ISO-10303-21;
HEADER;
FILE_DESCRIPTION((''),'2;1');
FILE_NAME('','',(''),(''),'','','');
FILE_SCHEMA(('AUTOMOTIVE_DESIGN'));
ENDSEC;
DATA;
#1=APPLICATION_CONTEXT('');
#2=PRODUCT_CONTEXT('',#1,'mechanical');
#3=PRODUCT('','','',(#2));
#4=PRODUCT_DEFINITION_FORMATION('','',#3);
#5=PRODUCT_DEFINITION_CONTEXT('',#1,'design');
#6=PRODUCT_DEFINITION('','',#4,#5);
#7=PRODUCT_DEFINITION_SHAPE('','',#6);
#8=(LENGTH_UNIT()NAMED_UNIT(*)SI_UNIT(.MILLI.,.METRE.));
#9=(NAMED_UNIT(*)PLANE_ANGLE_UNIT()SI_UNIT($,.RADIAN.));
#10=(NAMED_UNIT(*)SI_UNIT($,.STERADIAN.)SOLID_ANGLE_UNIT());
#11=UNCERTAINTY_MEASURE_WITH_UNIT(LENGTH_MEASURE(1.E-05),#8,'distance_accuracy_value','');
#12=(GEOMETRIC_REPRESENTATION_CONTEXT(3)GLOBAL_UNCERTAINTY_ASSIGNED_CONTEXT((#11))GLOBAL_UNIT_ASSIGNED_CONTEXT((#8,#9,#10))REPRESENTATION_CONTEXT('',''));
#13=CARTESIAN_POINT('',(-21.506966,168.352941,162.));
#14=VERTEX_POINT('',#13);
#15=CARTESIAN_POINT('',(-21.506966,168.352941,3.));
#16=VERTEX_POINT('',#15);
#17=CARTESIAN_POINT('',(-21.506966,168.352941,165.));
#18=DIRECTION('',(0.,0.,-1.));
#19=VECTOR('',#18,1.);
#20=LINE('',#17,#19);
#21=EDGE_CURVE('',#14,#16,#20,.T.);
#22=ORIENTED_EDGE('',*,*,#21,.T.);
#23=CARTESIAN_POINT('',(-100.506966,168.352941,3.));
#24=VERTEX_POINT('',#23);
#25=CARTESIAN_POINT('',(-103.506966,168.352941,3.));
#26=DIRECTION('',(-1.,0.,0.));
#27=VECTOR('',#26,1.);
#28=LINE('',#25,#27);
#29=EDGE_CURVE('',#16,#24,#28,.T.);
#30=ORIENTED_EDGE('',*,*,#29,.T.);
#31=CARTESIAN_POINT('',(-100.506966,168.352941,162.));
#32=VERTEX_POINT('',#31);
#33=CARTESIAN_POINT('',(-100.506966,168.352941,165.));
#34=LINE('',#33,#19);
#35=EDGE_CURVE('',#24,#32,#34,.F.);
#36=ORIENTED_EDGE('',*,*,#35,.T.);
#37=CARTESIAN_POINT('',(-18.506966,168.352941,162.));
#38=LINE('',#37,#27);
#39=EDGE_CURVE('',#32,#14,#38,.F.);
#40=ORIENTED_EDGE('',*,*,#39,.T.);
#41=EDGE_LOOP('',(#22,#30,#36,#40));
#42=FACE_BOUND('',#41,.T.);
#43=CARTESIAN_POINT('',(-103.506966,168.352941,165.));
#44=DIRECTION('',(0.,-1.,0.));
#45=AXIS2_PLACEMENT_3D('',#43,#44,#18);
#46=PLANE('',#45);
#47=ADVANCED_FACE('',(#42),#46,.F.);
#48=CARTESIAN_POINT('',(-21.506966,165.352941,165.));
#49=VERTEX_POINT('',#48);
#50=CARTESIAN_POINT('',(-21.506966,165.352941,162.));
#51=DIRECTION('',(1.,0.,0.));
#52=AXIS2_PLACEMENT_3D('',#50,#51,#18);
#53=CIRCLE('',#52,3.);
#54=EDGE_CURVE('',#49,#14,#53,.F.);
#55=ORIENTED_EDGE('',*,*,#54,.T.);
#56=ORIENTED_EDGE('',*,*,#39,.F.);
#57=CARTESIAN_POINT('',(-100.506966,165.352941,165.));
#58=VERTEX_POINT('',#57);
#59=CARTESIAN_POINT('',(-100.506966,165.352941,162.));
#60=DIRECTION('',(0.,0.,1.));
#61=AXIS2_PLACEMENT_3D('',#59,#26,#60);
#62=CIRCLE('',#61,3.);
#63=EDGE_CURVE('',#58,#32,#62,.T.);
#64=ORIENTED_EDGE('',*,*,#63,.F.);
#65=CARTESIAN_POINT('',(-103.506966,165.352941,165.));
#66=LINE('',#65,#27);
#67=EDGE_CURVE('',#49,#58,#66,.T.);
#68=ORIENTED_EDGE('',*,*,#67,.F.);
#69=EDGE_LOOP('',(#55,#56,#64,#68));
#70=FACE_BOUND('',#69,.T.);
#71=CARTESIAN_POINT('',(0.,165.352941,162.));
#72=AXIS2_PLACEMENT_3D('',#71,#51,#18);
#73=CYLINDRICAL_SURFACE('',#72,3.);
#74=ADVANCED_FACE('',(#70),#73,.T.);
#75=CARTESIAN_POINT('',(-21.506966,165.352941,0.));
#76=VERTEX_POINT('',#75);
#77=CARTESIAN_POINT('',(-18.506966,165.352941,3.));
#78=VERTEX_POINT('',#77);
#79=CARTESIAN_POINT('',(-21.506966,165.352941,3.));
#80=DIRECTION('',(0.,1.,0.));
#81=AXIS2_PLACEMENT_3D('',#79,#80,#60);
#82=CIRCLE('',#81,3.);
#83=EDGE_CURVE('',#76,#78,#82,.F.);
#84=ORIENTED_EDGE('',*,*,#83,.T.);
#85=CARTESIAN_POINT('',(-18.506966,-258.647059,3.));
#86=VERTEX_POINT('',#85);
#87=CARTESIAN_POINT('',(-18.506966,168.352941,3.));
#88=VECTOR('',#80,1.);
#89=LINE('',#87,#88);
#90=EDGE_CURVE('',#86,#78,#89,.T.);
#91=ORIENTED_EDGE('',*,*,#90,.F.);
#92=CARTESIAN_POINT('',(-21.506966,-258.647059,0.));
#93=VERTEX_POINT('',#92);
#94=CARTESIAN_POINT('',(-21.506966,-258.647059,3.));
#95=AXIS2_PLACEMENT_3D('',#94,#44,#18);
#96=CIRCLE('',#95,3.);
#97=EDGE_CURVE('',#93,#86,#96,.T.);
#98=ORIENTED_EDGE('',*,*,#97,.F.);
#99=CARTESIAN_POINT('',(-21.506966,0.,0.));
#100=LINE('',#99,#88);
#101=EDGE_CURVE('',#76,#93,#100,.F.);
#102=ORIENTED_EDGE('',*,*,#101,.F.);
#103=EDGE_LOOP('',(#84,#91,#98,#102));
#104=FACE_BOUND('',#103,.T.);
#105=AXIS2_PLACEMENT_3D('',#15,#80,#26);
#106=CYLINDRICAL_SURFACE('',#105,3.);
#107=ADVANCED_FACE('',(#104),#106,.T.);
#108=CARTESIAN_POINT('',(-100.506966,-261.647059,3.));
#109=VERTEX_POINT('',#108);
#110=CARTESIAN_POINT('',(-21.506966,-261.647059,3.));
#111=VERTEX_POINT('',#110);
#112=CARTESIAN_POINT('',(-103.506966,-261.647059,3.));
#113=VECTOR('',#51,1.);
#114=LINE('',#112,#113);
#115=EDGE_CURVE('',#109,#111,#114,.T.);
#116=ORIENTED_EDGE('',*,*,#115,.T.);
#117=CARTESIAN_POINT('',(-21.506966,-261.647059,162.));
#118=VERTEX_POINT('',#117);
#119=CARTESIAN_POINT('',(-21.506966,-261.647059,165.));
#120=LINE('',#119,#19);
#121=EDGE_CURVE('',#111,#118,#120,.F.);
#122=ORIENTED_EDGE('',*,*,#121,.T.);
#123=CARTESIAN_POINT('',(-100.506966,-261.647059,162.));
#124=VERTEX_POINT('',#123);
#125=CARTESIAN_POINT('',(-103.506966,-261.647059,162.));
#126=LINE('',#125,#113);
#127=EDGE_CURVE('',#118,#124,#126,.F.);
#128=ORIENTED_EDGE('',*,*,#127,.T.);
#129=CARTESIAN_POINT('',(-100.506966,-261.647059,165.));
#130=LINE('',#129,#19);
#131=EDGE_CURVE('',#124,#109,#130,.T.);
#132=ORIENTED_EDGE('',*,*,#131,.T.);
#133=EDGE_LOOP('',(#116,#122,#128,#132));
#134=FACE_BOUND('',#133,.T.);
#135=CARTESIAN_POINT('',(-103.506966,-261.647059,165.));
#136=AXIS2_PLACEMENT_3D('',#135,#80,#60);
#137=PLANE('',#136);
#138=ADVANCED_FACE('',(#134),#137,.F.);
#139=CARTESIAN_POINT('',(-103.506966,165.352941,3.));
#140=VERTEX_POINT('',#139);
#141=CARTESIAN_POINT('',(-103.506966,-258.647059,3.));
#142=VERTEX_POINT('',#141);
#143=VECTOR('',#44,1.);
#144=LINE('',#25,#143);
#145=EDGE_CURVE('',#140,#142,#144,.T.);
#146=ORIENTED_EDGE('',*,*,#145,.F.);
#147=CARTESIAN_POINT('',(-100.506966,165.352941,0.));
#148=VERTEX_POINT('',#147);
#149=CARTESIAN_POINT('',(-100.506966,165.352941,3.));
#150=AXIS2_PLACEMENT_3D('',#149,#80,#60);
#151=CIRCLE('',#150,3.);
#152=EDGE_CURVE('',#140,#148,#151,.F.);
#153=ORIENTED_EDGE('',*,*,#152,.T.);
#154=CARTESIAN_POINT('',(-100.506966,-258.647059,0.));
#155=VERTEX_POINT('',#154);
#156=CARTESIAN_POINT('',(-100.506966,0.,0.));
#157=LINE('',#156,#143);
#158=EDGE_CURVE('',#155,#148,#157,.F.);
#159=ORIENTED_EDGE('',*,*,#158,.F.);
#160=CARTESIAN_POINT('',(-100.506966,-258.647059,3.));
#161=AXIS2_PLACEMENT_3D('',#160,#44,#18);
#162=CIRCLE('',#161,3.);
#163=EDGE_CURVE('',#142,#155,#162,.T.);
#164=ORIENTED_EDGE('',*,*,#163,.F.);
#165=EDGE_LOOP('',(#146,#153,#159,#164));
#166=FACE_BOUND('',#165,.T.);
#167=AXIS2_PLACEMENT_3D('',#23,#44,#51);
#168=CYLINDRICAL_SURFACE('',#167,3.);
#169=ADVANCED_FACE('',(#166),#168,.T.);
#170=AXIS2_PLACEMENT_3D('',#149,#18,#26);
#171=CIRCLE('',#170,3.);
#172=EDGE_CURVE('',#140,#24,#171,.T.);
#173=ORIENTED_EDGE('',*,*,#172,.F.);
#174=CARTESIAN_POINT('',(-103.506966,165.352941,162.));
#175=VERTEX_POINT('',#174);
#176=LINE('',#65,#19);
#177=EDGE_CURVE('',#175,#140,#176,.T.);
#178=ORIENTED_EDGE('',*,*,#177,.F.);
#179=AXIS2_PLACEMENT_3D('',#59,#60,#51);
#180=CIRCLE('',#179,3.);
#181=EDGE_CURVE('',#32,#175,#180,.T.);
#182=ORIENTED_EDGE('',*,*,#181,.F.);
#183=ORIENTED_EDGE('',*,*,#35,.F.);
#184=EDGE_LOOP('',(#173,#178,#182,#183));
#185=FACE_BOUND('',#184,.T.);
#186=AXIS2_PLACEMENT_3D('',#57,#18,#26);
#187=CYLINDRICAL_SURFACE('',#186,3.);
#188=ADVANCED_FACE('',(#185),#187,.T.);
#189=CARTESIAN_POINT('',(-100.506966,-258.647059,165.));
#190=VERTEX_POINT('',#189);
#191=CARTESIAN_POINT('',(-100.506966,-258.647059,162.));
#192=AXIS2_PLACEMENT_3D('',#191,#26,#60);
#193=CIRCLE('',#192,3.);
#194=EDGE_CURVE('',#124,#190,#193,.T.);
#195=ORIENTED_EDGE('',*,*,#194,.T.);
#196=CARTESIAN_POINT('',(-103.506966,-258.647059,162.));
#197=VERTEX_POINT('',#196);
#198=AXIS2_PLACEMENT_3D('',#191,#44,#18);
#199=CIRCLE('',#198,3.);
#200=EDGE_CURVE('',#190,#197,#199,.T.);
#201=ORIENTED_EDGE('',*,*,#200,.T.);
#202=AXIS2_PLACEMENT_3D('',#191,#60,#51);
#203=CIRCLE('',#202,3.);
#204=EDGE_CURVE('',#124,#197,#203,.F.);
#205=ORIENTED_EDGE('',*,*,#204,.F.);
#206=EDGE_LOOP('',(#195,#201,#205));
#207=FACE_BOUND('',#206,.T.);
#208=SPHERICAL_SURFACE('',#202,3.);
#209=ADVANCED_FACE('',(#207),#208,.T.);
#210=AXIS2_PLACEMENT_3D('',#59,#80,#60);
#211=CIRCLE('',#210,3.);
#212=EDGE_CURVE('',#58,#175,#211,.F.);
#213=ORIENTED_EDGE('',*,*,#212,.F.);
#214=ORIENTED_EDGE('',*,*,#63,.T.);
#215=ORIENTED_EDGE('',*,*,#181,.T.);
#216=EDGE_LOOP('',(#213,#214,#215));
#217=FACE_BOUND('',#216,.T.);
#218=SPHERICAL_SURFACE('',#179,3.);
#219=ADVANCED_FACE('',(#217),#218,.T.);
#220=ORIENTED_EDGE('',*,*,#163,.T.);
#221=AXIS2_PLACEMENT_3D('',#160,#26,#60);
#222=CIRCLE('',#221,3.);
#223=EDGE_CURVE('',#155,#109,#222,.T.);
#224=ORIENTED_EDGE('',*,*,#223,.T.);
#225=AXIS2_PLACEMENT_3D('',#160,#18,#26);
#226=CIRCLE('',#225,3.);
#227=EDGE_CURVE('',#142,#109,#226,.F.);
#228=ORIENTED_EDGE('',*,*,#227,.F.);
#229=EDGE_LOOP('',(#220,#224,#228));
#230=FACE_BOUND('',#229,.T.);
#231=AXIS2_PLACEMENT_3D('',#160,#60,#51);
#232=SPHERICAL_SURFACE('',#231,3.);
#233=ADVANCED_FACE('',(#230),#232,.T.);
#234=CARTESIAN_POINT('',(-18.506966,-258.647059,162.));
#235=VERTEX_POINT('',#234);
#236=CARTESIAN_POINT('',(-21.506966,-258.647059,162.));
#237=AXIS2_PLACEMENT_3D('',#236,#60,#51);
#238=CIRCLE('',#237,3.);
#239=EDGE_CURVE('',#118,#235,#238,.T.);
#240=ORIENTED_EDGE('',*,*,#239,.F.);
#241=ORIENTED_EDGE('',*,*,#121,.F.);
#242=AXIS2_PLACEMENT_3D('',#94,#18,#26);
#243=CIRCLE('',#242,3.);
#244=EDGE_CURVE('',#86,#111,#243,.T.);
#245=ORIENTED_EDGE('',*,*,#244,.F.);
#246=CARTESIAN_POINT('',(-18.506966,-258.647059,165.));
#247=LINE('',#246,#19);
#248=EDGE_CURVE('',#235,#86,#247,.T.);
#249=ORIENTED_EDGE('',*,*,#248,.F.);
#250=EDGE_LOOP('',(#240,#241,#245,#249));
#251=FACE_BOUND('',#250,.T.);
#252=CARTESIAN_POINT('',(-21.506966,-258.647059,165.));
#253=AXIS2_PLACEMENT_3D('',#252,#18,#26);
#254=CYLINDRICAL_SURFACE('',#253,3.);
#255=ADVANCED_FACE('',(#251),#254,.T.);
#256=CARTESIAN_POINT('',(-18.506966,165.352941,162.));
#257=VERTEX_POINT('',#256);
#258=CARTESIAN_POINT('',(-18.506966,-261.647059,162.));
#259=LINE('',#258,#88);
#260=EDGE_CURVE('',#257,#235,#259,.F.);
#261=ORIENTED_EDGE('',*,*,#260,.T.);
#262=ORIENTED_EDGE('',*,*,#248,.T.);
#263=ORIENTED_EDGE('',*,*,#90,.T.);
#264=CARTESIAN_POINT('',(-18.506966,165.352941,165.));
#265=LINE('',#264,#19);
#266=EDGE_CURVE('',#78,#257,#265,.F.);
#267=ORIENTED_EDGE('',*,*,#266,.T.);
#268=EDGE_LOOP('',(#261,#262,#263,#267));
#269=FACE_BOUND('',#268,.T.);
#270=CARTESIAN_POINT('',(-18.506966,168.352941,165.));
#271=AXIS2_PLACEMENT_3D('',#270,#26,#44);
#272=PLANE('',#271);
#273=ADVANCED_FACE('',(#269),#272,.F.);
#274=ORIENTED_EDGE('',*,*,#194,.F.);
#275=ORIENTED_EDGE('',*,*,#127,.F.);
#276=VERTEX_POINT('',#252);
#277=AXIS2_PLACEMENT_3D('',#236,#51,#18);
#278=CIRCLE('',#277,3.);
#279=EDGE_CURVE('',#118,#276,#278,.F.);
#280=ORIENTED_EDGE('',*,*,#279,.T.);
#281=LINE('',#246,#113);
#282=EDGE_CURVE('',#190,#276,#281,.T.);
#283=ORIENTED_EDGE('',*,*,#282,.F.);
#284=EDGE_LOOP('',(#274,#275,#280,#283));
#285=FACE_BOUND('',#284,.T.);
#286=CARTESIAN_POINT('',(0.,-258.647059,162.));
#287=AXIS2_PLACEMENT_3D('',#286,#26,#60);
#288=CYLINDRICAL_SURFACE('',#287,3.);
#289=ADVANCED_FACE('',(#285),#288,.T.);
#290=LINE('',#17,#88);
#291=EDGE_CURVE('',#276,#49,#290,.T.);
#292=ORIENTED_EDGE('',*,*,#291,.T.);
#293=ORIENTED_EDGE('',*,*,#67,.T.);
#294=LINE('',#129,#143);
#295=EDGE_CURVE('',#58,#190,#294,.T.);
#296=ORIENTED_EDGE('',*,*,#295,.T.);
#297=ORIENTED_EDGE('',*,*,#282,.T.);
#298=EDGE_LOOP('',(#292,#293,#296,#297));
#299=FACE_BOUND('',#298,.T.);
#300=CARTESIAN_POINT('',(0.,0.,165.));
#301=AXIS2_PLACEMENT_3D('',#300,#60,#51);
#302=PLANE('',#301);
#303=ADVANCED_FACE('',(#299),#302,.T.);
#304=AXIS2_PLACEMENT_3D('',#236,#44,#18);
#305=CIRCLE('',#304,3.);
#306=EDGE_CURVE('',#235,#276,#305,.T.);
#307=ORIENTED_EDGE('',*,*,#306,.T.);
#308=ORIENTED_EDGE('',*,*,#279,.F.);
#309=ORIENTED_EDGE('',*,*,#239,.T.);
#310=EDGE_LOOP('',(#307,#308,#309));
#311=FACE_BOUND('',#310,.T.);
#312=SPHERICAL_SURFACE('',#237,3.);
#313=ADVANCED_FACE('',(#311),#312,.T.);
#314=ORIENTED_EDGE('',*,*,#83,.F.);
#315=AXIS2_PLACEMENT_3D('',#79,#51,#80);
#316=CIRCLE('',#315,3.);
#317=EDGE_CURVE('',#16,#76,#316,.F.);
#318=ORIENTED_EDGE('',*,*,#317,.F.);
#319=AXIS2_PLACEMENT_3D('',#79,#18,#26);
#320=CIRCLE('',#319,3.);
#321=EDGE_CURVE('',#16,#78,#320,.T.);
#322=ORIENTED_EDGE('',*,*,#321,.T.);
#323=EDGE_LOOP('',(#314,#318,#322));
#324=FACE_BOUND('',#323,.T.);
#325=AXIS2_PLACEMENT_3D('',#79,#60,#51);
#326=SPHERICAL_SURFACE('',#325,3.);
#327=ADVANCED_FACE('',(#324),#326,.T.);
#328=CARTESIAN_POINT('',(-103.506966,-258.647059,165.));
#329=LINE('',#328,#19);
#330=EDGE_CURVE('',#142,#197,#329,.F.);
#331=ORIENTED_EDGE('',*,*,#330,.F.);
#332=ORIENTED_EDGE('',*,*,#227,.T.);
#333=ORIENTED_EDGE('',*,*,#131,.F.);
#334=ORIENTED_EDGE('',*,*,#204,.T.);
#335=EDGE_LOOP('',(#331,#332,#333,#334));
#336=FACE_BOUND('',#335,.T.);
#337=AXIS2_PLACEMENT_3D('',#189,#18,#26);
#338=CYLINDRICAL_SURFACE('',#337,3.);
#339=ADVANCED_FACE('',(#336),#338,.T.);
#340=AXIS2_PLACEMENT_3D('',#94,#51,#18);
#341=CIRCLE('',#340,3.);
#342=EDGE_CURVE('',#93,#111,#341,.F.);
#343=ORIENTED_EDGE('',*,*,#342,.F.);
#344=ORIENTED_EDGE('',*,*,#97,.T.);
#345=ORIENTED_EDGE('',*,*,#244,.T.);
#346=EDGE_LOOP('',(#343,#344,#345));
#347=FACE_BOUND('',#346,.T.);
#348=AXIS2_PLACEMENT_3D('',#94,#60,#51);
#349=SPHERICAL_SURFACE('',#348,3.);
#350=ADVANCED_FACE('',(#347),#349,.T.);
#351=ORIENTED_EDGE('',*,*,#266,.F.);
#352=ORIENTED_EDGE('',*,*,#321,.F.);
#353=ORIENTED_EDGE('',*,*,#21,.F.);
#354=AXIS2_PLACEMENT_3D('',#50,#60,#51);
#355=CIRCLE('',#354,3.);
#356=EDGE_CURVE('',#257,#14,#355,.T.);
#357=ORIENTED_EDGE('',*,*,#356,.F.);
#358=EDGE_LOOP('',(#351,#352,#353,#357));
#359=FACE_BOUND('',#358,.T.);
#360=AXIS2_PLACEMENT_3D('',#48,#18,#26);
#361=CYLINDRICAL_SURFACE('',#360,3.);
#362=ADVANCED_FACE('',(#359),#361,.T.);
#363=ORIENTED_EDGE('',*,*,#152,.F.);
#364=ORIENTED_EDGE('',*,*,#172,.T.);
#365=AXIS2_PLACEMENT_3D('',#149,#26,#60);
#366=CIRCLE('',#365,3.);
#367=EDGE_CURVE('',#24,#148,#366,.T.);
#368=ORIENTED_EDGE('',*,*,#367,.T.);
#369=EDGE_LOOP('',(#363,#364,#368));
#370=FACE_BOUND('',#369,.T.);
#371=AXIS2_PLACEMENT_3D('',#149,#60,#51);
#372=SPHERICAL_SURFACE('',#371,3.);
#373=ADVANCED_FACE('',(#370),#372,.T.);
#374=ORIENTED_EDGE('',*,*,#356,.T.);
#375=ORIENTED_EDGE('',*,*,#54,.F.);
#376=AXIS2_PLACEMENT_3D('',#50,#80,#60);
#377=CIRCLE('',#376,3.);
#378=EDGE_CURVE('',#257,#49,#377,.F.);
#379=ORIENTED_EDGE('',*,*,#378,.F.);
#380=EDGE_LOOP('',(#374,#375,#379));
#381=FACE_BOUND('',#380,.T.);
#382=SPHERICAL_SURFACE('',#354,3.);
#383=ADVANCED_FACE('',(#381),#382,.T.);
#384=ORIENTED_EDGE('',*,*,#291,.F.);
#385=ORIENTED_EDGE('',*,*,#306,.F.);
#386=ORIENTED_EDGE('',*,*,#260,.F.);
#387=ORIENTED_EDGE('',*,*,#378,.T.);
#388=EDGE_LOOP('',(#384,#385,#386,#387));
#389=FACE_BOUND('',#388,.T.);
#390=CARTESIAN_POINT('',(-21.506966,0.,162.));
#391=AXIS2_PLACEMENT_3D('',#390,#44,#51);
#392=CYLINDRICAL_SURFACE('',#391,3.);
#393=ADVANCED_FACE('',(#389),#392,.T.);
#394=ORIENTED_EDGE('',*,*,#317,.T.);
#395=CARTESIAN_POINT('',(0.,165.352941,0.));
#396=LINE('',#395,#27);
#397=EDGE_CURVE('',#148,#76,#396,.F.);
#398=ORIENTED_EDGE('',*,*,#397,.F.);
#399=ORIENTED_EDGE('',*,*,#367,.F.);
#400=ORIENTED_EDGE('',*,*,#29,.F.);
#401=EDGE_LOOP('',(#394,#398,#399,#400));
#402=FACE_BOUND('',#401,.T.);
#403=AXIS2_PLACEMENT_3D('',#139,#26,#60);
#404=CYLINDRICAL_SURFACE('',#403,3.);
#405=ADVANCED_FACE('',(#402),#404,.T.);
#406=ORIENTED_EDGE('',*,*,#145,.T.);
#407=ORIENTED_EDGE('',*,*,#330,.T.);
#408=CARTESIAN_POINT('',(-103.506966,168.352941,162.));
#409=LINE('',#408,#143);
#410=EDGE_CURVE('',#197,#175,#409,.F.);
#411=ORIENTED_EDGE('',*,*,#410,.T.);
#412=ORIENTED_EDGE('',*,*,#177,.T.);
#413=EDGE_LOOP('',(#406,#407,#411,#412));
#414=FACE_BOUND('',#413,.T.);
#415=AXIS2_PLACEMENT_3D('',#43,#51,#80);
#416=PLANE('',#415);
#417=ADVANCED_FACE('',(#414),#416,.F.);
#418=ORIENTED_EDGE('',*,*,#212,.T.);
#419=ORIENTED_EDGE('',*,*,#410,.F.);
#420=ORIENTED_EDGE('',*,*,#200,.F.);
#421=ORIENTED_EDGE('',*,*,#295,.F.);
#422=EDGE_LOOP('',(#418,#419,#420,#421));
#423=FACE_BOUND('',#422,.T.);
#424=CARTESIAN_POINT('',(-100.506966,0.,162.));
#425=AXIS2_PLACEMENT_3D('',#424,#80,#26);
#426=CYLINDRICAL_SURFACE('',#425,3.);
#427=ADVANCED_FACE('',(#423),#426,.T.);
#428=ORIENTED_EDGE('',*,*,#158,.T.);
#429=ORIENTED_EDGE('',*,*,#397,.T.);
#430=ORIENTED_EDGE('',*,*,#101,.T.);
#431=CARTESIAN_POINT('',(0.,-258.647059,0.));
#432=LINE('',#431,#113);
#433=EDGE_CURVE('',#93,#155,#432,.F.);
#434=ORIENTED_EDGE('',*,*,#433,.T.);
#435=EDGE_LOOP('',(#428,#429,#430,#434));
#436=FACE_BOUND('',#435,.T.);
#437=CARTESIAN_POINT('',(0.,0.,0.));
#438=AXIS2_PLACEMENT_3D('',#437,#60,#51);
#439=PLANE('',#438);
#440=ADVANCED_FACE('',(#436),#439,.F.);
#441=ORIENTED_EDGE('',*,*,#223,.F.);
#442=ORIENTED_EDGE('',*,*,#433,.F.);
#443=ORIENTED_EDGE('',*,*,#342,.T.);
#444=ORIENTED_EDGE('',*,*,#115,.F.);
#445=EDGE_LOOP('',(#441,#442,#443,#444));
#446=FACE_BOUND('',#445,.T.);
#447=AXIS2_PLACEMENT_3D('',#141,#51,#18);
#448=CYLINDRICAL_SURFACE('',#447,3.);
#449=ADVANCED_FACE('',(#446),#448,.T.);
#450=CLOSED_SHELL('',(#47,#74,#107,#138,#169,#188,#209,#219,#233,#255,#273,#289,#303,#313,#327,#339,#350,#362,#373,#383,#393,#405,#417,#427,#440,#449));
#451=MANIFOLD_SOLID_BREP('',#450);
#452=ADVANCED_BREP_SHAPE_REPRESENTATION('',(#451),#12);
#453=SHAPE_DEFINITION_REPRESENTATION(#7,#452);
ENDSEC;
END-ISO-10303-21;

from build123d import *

# Parameters (mm, degrees)
CROQUIS1_W              = 85
CROQUIS1_H              = 430
SALIENTE_EXTRUIR1_DEPTH = 165
REDONDEO1_R             = 3


with BuildPart() as part:
    # Croquis1 → Saliente-Extruir1 (new body)
    with BuildSketch(Plane.XY):
        with Locations((-61.006965944, -46.647058824)):
            Rectangle(CROQUIS1_W, CROQUIS1_H)
    extrude(amount=SALIENTE_EXTRUIR1_DEPTH)

    # Redondeo1
    redondeo1_edges = [part.edges().sort_by_distance(p)[0] for p in [
        (-18.506965944, -46.647058824, 165),
        (-61.006965944, 168.352941176, 165),
        (-103.506965944, -46.647058824, 165),
        (-61.006965944, 168.352941176, 0),
        (-18.506965944, -46.647058824, 0),
        (-61.006965944, -261.647058824, 0),
        (-103.506965944, -46.647058824, 0),
        (-61.006965944, -261.647058824, 165),
        (-103.506965944, 168.352941176, 82.5),
        (-18.506965944, 168.352941176, 82.5),
        (-18.506965944, -261.647058824, 82.5),
        (-103.506965944, -261.647058824, 82.5),
    ]]
    fillet(redondeo1_edges, radius=REDONDEO1_R)


solid = part.part
